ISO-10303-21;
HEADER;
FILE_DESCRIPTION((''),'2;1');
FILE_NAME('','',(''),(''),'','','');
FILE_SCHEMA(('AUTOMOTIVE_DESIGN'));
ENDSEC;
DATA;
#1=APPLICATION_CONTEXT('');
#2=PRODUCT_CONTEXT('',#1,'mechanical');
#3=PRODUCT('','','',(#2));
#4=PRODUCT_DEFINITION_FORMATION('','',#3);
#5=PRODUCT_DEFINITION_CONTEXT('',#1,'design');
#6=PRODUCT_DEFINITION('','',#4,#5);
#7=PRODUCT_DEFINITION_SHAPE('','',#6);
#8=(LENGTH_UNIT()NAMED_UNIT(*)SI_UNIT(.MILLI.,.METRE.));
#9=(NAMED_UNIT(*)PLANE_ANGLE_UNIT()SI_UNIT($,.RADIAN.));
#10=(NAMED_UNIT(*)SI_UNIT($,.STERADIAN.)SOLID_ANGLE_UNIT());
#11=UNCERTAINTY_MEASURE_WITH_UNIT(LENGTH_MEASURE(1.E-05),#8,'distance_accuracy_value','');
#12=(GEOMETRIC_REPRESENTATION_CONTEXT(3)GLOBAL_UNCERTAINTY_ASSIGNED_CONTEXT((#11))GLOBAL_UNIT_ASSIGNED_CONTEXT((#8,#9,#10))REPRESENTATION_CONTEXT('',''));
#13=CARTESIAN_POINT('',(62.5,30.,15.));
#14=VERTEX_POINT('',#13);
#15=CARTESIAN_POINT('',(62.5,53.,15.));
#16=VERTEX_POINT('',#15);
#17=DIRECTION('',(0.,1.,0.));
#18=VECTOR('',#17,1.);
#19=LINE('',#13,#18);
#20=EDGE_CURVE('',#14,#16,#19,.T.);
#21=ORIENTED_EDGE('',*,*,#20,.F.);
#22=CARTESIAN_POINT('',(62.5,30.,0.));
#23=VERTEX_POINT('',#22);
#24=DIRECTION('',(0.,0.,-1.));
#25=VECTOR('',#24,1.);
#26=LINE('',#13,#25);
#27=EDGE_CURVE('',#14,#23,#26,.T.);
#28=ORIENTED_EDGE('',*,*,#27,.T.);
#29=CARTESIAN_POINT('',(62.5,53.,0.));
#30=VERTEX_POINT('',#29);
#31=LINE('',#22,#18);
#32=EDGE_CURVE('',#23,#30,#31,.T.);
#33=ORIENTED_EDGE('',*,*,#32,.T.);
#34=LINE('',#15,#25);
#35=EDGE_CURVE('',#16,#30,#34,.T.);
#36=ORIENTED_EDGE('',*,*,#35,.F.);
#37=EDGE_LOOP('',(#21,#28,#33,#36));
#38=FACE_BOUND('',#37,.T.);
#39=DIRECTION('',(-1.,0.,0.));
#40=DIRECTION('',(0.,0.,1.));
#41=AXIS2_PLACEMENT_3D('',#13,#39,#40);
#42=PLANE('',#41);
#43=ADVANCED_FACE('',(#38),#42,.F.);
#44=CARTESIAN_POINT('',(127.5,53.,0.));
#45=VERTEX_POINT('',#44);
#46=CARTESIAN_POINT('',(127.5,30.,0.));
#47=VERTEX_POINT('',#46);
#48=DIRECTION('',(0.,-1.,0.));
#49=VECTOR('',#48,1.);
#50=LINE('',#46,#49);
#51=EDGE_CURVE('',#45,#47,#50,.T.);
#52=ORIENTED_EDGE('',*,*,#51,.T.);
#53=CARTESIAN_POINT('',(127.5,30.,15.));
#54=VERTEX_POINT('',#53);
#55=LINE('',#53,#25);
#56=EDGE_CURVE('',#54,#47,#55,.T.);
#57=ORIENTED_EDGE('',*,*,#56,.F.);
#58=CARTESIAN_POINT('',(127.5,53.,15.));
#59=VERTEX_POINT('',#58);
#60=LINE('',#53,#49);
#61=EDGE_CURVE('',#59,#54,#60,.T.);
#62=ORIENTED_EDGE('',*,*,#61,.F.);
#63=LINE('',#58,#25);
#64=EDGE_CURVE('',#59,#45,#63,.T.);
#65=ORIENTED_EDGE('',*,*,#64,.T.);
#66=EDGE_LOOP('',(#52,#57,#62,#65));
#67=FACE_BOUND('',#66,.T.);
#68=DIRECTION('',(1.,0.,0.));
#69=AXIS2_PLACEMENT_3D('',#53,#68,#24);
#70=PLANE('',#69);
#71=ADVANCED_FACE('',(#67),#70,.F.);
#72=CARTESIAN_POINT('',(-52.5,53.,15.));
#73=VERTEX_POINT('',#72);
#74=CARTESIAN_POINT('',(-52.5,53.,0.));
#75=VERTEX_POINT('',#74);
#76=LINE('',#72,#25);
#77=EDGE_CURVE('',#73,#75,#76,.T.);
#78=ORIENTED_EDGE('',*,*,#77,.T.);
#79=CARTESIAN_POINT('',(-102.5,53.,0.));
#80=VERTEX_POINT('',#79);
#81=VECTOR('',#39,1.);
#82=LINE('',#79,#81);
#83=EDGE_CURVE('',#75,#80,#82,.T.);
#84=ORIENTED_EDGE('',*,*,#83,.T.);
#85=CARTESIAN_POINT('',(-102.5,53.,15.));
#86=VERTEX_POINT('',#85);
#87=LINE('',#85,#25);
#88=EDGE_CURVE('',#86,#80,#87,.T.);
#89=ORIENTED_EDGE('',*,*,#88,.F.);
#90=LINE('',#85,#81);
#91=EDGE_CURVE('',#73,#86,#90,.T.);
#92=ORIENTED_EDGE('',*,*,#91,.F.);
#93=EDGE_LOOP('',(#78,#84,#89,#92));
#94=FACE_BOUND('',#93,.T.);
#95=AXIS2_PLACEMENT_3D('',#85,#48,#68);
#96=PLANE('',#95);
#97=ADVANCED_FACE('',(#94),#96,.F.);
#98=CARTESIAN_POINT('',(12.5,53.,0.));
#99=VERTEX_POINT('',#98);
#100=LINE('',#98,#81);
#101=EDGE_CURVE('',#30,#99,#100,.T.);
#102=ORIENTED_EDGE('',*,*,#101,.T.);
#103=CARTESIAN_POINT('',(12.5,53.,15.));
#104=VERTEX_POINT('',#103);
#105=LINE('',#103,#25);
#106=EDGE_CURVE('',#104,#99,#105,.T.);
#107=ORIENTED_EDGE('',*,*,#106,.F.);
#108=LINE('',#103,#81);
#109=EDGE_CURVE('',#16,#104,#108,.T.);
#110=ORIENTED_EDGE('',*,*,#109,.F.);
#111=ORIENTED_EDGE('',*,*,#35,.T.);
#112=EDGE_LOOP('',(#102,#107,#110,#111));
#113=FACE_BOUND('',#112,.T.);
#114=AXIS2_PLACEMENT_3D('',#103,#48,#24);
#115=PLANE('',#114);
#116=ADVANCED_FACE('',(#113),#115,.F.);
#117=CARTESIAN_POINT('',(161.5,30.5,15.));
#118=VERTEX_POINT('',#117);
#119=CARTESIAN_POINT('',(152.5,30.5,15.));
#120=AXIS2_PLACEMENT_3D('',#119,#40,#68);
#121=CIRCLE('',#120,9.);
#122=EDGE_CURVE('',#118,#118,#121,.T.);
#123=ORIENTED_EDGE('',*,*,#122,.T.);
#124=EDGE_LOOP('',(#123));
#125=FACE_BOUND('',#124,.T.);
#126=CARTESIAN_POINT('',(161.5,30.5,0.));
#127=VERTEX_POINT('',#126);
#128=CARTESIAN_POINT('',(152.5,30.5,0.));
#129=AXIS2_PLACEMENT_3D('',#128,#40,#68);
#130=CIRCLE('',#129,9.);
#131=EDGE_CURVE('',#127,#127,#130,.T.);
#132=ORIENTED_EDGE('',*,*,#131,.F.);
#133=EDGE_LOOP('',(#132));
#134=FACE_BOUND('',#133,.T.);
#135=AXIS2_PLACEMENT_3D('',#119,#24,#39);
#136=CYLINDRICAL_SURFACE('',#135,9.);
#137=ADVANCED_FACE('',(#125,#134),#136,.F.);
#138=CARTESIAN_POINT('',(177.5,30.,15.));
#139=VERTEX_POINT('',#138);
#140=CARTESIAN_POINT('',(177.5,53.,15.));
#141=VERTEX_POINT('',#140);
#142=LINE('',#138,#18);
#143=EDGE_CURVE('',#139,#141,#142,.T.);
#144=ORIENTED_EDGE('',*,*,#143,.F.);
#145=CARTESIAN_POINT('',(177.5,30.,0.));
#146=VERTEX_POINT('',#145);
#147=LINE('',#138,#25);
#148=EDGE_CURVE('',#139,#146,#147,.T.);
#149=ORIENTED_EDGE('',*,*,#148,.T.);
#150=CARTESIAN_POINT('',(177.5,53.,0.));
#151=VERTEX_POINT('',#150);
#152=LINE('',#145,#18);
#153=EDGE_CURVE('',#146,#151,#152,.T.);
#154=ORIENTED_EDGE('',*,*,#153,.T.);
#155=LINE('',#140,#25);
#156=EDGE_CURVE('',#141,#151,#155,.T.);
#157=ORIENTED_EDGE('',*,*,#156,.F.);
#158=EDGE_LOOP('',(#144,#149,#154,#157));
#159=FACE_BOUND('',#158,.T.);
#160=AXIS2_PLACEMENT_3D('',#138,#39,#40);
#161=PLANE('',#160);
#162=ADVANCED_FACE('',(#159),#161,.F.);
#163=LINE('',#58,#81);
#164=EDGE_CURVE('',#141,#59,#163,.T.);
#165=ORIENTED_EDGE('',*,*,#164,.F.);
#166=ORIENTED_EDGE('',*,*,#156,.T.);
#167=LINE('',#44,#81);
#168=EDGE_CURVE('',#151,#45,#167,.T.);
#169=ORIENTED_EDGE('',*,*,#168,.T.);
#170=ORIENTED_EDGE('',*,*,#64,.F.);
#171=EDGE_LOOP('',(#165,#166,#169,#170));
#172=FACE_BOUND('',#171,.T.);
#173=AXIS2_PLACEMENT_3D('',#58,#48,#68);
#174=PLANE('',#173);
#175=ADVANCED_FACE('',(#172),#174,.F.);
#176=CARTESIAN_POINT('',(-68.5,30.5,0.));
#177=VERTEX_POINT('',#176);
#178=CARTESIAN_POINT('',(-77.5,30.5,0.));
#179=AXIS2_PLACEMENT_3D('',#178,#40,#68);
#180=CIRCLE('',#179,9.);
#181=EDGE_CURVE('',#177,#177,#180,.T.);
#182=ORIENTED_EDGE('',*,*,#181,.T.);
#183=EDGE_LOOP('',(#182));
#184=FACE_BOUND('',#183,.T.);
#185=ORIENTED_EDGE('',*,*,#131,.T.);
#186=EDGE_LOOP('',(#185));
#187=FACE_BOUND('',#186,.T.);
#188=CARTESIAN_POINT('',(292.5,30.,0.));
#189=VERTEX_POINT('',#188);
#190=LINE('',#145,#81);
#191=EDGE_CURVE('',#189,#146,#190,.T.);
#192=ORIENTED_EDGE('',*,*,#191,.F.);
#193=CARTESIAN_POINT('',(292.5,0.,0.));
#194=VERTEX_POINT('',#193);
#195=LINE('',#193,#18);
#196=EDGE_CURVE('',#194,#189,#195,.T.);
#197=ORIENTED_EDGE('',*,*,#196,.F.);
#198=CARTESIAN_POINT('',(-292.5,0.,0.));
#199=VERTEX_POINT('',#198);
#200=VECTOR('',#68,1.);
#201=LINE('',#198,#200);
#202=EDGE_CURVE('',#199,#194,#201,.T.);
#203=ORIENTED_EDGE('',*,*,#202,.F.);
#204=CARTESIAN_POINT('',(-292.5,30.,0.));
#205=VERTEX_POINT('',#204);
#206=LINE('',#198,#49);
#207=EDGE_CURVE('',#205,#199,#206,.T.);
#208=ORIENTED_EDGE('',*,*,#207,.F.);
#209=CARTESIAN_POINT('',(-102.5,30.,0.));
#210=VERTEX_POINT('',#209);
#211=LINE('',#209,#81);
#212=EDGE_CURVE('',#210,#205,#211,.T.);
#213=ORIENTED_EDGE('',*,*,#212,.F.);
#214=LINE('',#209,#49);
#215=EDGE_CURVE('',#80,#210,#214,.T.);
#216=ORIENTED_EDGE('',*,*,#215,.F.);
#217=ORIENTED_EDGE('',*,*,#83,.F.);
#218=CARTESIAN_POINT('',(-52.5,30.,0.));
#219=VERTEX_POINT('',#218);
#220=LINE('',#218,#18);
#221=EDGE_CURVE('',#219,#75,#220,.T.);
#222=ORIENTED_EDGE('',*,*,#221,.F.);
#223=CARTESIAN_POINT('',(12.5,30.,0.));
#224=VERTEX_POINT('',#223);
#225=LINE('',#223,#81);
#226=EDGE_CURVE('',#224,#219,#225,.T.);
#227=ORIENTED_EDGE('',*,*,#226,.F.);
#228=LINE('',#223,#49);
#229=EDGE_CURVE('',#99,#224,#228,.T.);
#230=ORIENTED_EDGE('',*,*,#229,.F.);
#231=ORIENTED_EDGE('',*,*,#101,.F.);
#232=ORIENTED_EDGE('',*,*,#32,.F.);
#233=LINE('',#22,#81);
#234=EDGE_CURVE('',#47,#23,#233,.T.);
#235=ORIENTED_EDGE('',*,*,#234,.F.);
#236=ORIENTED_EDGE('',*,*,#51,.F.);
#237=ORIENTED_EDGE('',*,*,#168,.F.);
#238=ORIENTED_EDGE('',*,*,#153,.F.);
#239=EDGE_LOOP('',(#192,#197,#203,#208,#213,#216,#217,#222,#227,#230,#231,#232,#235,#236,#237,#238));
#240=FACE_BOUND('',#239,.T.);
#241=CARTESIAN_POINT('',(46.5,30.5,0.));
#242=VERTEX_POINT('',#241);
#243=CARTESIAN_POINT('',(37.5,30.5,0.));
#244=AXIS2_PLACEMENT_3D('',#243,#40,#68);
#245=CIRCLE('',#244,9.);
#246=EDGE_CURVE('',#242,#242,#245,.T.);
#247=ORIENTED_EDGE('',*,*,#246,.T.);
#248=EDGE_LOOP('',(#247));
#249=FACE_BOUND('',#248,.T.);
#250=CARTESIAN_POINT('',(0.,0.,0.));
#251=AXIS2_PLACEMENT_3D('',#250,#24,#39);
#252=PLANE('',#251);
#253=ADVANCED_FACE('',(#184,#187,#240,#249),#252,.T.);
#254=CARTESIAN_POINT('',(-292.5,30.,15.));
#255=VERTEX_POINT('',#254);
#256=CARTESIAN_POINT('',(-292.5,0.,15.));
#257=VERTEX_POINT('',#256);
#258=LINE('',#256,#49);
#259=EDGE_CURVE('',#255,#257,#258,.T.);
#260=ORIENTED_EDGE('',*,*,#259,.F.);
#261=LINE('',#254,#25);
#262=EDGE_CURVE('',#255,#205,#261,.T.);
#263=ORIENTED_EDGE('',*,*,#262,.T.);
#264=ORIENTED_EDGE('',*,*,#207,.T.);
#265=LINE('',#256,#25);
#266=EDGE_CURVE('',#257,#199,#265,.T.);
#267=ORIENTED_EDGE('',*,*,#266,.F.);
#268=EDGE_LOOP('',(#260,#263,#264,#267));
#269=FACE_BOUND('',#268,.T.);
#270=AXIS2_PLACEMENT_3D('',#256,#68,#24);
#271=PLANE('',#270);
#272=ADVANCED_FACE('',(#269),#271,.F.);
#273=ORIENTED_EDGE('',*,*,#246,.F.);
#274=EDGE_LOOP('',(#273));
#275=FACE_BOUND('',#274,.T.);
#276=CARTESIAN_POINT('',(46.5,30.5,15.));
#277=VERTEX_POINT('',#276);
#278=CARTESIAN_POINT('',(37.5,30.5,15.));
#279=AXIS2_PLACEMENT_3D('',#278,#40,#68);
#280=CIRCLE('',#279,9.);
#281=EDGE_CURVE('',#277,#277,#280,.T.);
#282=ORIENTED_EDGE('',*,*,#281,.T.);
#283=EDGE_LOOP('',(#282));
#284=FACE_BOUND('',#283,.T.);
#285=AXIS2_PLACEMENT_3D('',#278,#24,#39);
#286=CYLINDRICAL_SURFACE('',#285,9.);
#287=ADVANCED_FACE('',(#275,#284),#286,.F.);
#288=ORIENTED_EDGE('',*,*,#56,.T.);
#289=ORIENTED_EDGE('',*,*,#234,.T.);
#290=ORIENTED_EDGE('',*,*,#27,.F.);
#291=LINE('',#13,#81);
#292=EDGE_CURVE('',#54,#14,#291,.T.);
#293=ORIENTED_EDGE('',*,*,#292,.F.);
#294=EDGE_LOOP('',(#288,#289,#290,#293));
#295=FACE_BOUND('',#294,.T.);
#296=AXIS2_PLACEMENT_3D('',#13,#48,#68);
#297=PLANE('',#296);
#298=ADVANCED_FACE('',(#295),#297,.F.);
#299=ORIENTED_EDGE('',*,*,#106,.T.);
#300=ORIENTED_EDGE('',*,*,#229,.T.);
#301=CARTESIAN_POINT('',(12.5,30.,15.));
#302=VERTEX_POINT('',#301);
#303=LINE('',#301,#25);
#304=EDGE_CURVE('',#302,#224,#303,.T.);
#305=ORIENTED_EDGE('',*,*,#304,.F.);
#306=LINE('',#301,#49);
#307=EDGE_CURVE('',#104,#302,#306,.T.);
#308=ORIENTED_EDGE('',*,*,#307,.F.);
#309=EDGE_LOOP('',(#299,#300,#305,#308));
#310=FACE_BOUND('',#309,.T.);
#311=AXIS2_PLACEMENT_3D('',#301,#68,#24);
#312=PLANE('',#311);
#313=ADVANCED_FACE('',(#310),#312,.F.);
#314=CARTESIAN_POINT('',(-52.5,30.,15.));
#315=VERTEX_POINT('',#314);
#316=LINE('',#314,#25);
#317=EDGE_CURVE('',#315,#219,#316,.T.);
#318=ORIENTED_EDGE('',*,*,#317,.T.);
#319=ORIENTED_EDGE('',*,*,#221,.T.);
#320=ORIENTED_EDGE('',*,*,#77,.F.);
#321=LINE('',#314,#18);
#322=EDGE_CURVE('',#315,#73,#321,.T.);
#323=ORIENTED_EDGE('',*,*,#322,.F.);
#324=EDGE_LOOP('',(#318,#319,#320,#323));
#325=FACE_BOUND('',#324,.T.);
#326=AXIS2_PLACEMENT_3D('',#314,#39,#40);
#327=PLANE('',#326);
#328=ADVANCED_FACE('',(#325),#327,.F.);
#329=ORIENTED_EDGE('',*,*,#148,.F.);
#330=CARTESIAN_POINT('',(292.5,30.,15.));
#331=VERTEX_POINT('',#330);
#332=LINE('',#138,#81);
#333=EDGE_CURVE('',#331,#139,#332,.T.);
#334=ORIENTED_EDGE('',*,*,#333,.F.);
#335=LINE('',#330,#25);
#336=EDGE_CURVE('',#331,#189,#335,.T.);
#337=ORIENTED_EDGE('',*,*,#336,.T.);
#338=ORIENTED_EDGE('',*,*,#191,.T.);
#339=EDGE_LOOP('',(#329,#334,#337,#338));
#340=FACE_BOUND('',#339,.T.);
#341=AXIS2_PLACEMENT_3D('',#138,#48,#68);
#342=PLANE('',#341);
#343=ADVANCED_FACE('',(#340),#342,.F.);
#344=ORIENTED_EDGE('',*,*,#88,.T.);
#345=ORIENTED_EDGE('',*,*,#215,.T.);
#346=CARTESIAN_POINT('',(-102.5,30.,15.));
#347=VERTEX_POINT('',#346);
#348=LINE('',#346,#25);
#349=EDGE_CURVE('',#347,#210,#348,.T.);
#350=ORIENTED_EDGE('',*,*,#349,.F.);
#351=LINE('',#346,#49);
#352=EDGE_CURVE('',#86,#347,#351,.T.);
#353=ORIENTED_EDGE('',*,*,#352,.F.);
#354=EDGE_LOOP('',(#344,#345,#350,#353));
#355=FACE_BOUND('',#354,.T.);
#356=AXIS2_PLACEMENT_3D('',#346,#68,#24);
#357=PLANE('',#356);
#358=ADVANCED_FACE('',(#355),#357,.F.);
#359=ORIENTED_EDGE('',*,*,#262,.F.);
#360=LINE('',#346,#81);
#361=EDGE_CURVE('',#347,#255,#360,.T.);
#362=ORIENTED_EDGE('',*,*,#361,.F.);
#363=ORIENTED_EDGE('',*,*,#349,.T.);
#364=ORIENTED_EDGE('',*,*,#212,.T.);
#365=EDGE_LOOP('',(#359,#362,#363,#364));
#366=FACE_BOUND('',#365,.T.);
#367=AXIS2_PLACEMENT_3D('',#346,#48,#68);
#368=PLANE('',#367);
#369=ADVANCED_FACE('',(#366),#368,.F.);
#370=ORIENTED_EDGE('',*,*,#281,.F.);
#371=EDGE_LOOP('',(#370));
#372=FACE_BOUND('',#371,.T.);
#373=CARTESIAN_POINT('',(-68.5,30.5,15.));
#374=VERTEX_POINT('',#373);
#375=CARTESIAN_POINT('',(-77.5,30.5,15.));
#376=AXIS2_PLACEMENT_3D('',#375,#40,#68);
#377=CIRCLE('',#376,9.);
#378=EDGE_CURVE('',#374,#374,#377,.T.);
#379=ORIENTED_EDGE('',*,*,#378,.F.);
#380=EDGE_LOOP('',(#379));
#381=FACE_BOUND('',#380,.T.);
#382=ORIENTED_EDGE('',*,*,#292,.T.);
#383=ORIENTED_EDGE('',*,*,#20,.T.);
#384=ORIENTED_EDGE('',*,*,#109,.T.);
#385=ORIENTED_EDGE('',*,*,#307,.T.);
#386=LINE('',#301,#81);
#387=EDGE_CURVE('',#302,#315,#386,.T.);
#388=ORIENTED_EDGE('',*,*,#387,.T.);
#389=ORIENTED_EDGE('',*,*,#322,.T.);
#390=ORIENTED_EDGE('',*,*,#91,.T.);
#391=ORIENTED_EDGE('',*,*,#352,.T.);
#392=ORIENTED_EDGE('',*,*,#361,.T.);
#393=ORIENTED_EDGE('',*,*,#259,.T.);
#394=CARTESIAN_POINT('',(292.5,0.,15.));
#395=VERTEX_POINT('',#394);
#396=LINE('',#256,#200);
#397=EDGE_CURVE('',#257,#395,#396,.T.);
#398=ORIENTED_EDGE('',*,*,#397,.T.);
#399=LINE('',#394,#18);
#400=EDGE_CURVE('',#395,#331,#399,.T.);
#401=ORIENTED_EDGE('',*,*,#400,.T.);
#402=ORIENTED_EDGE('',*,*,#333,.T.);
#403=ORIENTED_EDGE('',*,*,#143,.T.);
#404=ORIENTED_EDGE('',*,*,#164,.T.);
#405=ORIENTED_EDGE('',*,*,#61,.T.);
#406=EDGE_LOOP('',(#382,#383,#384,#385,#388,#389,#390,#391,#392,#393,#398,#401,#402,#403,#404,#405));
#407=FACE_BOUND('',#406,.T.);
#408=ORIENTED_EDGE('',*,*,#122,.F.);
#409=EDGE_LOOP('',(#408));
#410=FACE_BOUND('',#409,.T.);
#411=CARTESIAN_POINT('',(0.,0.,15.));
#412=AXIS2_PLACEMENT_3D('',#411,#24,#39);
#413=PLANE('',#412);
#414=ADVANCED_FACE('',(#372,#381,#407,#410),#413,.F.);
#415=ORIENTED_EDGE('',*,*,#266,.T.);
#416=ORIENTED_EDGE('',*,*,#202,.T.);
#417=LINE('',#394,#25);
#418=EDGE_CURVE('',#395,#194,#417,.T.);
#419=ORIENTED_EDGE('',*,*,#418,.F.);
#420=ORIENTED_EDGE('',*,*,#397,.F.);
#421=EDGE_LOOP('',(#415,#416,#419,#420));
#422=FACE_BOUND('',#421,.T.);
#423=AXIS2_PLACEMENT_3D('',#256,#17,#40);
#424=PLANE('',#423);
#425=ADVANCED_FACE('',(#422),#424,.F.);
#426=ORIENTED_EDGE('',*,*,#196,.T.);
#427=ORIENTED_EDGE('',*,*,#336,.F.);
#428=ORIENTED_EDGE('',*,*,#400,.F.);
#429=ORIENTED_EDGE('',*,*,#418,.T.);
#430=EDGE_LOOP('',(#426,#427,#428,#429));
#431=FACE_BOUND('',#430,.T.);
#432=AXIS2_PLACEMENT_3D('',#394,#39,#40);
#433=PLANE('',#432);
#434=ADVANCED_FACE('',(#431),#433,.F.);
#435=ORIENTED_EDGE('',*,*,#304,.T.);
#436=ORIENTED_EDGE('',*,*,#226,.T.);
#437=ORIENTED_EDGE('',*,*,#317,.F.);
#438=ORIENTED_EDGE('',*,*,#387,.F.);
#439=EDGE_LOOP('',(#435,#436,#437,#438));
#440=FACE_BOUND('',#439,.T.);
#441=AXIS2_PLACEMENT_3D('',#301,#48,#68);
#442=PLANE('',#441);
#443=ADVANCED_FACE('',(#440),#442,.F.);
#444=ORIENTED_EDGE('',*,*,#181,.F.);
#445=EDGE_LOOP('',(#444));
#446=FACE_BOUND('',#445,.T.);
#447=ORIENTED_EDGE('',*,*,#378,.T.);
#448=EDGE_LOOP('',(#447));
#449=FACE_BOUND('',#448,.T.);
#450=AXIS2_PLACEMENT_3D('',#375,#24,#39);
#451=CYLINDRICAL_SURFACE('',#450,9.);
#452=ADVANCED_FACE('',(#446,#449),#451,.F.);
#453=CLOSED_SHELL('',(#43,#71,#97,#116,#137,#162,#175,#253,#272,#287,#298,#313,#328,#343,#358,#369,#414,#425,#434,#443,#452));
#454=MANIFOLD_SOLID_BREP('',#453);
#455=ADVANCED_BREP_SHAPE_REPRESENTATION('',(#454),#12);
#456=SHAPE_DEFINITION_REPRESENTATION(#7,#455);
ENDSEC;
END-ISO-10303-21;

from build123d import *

# Parameters (mm, degrees)
CROQUIS1_R              = 9
SALIENTE_EXTRUIR1_DEPTH = 15


with BuildPart() as part:
    # Croquis1 → Saliente-Extruir1 (new body)
    with BuildSketch(Plane.XY):
        Polygon((-292.5, 0), (292.5, 0), (292.5, 30), (177.5, 30), (177.5, 53), (127.5, 53), (127.5, 30), (62.5, 30), (62.5, 53), (12.5, 53), (12.5, 30), (-52.5, 30), (-52.5, 53), (-102.5, 53), (-102.5, 30), (-292.5, 30), align=None)
        with Locations((37.5, 30.5)):
            Circle(CROQUIS1_R, mode=Mode.SUBTRACT)
        with Locations((-77.5, 30.5)):
            Circle(CROQUIS1_R, mode=Mode.SUBTRACT)
        with Locations((152.5, 30.5)):
            Circle(CROQUIS1_R, mode=Mode.SUBTRACT)
    extrude(amount=SALIENTE_EXTRUIR1_DEPTH)


solid = part.part
